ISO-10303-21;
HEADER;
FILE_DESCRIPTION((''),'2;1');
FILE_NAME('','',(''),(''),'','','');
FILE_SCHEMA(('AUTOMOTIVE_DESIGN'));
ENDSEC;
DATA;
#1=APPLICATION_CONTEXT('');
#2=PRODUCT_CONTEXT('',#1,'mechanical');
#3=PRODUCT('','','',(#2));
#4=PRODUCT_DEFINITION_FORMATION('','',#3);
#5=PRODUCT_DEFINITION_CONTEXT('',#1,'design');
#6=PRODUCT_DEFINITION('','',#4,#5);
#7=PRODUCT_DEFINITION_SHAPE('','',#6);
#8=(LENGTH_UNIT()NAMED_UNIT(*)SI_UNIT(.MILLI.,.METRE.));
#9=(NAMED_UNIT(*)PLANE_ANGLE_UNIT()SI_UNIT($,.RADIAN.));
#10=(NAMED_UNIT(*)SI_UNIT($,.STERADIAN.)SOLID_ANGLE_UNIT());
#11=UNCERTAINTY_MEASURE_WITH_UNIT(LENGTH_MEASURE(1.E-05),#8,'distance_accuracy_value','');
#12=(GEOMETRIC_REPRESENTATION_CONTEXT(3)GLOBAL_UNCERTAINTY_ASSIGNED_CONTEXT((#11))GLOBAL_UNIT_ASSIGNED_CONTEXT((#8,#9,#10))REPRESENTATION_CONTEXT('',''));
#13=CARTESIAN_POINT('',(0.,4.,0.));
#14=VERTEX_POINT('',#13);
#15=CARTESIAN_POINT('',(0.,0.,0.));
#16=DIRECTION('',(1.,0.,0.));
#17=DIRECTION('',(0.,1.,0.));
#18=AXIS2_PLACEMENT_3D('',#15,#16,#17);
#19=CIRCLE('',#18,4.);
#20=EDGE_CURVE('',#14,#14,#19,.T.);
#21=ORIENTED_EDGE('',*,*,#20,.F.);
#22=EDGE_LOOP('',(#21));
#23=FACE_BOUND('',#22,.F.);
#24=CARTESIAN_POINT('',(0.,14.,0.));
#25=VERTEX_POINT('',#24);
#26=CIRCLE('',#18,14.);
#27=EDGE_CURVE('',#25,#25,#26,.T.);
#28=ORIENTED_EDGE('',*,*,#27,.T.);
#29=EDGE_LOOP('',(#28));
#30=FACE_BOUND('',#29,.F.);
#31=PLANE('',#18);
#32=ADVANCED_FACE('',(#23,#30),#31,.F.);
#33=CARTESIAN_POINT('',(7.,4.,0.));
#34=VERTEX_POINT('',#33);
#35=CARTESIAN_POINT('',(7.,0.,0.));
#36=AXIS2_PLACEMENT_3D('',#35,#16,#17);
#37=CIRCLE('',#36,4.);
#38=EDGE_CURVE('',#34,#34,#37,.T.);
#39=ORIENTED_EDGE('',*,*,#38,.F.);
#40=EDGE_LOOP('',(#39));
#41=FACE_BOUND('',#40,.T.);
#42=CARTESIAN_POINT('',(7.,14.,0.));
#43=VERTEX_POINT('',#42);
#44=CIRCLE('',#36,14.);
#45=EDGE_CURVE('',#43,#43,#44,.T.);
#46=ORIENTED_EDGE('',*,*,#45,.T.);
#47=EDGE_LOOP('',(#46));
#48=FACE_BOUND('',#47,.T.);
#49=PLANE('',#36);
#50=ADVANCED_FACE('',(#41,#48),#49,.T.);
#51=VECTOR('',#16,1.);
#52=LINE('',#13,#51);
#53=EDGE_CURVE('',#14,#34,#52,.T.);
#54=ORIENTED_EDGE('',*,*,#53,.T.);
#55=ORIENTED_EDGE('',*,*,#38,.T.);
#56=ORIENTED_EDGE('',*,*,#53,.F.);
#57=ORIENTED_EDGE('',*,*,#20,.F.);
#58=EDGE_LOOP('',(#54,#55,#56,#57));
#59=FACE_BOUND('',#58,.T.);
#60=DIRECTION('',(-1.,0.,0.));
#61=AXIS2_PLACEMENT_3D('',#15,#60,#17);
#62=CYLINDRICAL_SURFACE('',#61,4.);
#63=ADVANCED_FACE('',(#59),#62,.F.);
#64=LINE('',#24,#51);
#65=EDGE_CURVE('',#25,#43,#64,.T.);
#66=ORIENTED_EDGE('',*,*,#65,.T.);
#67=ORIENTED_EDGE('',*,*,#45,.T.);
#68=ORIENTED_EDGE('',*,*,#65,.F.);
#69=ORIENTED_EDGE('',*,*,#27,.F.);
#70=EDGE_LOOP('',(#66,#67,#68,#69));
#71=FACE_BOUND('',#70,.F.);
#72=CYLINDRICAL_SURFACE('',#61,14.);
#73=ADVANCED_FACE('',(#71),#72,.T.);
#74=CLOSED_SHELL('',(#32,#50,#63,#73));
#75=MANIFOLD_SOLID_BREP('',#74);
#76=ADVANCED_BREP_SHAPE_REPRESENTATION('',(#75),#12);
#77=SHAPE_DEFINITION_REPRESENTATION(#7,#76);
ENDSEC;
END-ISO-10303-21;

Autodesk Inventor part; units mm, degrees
ref_plane "YZ Plane" through (0, 0, 0) normal (1, 0, 0) x (0, 1, 0)
ref_plane "XZ Plane" through (0, 0, 0) normal (0, 1, 0) x (-1, 0, 0)
ref_plane "XY Plane" through (0, 0, 0) normal (0, 0, 1) x (1, 0, 0)
sketch "スケッチ1" plane through (0, 0, 0) normal (1, 0, 0) x (0, 1, 0)
  circle A0 centre (0, 0) radius 14
  circle A1 centre (0, 0) radius 4
  dimension "d0" = 28
  dimension "d1" = 8
extrude "押し出し1" add sketch "スケッチ1" along normal blind 7
properties part number "8-28" material "アルミニウム 6061"
